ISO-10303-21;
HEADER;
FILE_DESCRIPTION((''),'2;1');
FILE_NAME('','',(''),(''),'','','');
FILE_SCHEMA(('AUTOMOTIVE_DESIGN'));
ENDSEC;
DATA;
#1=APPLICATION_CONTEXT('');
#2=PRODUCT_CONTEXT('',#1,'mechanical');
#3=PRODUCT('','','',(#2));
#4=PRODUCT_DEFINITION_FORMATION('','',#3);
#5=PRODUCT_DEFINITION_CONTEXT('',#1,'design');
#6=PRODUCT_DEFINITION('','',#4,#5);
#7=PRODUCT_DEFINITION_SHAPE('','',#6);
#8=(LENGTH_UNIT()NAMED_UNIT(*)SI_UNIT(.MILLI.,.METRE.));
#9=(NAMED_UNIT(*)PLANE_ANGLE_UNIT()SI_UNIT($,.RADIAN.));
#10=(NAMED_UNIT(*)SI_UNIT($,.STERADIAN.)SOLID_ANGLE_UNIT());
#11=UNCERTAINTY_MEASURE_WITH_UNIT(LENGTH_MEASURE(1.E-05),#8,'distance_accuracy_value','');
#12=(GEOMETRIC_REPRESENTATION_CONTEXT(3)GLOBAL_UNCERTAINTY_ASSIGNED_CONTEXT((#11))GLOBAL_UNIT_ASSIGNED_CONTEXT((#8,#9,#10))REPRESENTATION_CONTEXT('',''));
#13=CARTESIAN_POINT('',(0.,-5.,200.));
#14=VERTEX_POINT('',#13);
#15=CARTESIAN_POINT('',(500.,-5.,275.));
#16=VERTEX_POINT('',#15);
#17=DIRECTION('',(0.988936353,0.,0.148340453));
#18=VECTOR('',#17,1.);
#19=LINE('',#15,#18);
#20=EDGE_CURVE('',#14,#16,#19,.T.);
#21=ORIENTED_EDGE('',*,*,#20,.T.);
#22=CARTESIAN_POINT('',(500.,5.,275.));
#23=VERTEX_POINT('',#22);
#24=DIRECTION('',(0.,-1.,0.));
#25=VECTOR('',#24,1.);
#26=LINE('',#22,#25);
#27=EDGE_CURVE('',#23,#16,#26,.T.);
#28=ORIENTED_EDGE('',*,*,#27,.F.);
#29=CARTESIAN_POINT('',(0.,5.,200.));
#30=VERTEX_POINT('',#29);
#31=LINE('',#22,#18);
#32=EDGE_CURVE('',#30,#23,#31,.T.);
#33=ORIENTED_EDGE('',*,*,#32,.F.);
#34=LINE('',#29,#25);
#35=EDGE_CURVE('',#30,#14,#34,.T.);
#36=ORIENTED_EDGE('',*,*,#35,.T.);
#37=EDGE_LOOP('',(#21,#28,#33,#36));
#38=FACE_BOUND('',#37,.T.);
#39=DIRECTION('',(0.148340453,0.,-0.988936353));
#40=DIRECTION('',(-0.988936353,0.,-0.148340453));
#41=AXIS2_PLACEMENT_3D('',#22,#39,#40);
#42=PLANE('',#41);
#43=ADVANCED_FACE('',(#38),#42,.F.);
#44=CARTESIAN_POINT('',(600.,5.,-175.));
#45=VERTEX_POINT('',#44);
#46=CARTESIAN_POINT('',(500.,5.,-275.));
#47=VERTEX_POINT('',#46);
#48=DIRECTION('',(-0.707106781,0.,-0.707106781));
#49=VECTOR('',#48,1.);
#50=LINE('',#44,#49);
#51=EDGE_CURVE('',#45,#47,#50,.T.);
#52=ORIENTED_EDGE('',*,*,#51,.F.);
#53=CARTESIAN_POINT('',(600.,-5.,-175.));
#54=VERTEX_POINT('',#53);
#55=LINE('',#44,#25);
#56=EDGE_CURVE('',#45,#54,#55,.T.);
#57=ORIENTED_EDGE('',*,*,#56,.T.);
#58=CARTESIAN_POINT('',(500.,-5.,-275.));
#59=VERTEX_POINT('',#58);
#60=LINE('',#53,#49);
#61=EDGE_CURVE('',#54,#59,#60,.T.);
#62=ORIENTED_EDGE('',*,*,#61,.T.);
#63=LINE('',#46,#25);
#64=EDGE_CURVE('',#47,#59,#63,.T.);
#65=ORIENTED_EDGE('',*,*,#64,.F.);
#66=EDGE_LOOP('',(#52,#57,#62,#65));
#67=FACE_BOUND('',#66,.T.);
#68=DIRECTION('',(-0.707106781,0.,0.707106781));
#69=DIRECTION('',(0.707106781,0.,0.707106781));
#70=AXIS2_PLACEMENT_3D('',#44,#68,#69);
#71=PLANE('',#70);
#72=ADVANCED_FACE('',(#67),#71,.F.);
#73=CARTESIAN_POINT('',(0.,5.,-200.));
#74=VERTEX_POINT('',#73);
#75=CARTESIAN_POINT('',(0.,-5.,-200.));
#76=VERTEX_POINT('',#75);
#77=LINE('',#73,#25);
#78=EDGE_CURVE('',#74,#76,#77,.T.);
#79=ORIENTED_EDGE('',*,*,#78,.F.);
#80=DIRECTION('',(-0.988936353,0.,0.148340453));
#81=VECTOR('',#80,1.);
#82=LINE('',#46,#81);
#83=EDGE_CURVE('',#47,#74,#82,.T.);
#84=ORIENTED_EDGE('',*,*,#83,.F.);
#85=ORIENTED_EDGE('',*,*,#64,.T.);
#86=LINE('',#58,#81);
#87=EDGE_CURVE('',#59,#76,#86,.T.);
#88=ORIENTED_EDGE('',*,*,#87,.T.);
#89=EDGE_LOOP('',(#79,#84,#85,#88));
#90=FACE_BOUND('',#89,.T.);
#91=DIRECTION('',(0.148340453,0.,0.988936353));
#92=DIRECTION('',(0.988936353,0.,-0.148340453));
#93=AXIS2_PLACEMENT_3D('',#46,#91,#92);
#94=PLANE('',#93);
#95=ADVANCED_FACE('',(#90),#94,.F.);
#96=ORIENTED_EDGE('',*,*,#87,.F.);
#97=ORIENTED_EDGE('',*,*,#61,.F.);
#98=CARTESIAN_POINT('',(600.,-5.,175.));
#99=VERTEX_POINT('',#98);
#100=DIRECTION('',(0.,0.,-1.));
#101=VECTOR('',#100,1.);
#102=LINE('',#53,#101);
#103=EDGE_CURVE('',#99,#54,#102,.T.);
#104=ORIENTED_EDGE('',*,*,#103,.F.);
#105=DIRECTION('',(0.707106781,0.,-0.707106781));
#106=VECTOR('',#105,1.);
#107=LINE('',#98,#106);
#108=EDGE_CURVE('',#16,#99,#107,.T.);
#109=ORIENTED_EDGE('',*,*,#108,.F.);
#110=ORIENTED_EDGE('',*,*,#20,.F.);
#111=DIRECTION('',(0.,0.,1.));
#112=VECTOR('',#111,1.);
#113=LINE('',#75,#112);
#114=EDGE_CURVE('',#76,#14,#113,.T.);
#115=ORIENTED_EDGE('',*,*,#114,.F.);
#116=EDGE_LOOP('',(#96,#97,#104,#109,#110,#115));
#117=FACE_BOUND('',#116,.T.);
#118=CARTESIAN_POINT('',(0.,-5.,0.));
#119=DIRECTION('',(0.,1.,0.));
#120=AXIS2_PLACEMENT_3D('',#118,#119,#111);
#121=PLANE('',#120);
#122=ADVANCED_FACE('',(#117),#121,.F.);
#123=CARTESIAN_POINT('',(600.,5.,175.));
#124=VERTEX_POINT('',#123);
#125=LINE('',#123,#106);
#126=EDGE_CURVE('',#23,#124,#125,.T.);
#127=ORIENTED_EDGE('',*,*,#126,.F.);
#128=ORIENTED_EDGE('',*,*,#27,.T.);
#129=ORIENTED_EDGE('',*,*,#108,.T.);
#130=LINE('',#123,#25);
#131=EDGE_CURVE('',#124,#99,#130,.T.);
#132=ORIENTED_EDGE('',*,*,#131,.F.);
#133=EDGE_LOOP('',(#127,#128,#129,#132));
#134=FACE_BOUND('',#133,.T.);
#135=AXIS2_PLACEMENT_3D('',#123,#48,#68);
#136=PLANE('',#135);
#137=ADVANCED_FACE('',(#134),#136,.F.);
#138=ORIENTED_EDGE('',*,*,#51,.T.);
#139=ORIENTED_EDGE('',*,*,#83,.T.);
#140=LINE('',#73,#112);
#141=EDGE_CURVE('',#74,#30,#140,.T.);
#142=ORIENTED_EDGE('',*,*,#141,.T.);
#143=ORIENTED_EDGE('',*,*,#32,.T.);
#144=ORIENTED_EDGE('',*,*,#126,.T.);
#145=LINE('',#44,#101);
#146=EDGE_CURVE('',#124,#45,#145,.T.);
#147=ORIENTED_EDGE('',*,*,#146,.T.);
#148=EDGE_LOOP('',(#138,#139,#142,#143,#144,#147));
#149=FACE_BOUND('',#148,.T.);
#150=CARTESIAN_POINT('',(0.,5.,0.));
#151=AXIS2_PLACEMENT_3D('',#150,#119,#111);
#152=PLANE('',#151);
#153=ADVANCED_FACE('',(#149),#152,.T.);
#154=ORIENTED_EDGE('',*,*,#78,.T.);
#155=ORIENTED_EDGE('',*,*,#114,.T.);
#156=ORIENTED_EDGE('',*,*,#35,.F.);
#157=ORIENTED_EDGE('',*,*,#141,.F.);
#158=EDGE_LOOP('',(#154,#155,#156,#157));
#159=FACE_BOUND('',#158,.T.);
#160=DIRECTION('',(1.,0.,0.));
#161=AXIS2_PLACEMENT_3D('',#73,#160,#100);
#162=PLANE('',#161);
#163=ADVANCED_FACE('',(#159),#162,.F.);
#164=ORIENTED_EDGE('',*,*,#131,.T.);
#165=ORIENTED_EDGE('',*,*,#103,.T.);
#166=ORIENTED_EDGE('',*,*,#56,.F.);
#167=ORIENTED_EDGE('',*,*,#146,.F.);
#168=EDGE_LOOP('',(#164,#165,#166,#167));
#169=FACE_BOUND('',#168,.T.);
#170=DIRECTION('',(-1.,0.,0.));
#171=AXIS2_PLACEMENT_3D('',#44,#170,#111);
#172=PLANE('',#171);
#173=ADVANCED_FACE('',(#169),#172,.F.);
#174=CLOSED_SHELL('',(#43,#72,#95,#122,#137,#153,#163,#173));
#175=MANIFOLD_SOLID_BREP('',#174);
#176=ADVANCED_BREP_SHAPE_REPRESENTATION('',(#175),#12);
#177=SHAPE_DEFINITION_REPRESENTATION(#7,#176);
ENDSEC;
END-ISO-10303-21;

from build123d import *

# Parameters (mm, degrees)
BOSS_EXTRUDE1_DEPTH = 5


with BuildPart() as part:
    # Sketch1 → Boss-Extrude1 (new body, symmetric)
    with BuildSketch(Plane(origin=(0, 0, 0), x_dir=(1, 0, 0), z_dir=(0, 1, 0))):
        Polygon((0, 200), (0, -200), (500, -275), (600, -175), (600, 175), (500, 275), align=None)
    extrude(amount=BOSS_EXTRUDE1_DEPTH, both=True)


solid = part.part
